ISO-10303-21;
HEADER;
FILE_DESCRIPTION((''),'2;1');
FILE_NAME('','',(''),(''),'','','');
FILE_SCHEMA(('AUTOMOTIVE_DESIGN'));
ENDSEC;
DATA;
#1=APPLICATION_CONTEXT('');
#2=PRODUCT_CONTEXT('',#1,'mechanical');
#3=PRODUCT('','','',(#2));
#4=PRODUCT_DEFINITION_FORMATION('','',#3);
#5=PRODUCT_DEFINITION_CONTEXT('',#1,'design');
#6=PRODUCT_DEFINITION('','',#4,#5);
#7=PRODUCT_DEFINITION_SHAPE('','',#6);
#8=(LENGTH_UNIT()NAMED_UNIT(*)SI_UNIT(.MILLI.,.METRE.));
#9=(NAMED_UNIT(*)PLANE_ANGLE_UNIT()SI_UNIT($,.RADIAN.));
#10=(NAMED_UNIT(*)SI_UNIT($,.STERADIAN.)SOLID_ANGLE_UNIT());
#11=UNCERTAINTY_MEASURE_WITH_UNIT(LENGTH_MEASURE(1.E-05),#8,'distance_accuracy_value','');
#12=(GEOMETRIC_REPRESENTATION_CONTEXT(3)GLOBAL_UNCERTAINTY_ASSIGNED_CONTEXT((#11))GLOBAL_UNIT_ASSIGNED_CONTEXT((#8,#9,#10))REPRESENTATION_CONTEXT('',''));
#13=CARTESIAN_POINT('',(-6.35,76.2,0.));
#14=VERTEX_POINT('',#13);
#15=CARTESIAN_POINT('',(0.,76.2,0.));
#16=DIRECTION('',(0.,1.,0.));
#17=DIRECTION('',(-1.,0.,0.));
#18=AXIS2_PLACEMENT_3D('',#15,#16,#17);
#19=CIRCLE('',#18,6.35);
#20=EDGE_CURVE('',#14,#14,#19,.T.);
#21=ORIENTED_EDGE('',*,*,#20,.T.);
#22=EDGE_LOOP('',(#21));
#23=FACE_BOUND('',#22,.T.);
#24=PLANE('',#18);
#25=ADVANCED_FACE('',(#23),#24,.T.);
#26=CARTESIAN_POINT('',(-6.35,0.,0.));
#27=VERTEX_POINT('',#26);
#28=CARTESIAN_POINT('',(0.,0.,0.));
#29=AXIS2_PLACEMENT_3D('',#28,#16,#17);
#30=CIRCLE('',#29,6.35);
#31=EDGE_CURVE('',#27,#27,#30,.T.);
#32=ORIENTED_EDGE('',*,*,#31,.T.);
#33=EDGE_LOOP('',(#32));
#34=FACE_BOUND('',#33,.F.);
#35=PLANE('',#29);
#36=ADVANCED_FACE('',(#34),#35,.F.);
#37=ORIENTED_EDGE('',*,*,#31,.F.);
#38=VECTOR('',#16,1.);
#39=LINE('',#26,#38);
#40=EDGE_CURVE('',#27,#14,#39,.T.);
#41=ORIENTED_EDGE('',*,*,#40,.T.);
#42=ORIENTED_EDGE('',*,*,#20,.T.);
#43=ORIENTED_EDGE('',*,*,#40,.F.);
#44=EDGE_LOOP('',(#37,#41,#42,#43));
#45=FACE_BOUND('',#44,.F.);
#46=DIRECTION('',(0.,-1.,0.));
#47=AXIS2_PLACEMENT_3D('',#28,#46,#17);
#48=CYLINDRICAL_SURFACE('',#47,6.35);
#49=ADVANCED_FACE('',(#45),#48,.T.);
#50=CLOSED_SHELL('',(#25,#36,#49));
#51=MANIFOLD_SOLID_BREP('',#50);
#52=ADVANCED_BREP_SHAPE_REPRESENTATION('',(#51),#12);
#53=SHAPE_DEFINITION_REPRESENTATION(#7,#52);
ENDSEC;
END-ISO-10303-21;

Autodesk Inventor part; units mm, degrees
ref_plane "YZ Plane" through (0, 0, 0) normal (1, 0, 0) x (0, 1, 0)
ref_plane "XZ Plane" through (0, 0, 0) normal (0, 1, 0) x (-1, 0, 0)
ref_plane "XY Plane" through (0, 0, 0) normal (0, 0, 1) x (1, 0, 0)
sketch "Sketch1" plane through (0, 0, 0) normal (0, 1, 0) x (-1, 0, 0)
  circle A0 centre (0, 0) radius 6.35
  dimension "d0" = 12.7
extrude "Extrusion1" add sketch "Sketch1" along normal blind 76.2
properties part number "3 Inch Round Shaft"
